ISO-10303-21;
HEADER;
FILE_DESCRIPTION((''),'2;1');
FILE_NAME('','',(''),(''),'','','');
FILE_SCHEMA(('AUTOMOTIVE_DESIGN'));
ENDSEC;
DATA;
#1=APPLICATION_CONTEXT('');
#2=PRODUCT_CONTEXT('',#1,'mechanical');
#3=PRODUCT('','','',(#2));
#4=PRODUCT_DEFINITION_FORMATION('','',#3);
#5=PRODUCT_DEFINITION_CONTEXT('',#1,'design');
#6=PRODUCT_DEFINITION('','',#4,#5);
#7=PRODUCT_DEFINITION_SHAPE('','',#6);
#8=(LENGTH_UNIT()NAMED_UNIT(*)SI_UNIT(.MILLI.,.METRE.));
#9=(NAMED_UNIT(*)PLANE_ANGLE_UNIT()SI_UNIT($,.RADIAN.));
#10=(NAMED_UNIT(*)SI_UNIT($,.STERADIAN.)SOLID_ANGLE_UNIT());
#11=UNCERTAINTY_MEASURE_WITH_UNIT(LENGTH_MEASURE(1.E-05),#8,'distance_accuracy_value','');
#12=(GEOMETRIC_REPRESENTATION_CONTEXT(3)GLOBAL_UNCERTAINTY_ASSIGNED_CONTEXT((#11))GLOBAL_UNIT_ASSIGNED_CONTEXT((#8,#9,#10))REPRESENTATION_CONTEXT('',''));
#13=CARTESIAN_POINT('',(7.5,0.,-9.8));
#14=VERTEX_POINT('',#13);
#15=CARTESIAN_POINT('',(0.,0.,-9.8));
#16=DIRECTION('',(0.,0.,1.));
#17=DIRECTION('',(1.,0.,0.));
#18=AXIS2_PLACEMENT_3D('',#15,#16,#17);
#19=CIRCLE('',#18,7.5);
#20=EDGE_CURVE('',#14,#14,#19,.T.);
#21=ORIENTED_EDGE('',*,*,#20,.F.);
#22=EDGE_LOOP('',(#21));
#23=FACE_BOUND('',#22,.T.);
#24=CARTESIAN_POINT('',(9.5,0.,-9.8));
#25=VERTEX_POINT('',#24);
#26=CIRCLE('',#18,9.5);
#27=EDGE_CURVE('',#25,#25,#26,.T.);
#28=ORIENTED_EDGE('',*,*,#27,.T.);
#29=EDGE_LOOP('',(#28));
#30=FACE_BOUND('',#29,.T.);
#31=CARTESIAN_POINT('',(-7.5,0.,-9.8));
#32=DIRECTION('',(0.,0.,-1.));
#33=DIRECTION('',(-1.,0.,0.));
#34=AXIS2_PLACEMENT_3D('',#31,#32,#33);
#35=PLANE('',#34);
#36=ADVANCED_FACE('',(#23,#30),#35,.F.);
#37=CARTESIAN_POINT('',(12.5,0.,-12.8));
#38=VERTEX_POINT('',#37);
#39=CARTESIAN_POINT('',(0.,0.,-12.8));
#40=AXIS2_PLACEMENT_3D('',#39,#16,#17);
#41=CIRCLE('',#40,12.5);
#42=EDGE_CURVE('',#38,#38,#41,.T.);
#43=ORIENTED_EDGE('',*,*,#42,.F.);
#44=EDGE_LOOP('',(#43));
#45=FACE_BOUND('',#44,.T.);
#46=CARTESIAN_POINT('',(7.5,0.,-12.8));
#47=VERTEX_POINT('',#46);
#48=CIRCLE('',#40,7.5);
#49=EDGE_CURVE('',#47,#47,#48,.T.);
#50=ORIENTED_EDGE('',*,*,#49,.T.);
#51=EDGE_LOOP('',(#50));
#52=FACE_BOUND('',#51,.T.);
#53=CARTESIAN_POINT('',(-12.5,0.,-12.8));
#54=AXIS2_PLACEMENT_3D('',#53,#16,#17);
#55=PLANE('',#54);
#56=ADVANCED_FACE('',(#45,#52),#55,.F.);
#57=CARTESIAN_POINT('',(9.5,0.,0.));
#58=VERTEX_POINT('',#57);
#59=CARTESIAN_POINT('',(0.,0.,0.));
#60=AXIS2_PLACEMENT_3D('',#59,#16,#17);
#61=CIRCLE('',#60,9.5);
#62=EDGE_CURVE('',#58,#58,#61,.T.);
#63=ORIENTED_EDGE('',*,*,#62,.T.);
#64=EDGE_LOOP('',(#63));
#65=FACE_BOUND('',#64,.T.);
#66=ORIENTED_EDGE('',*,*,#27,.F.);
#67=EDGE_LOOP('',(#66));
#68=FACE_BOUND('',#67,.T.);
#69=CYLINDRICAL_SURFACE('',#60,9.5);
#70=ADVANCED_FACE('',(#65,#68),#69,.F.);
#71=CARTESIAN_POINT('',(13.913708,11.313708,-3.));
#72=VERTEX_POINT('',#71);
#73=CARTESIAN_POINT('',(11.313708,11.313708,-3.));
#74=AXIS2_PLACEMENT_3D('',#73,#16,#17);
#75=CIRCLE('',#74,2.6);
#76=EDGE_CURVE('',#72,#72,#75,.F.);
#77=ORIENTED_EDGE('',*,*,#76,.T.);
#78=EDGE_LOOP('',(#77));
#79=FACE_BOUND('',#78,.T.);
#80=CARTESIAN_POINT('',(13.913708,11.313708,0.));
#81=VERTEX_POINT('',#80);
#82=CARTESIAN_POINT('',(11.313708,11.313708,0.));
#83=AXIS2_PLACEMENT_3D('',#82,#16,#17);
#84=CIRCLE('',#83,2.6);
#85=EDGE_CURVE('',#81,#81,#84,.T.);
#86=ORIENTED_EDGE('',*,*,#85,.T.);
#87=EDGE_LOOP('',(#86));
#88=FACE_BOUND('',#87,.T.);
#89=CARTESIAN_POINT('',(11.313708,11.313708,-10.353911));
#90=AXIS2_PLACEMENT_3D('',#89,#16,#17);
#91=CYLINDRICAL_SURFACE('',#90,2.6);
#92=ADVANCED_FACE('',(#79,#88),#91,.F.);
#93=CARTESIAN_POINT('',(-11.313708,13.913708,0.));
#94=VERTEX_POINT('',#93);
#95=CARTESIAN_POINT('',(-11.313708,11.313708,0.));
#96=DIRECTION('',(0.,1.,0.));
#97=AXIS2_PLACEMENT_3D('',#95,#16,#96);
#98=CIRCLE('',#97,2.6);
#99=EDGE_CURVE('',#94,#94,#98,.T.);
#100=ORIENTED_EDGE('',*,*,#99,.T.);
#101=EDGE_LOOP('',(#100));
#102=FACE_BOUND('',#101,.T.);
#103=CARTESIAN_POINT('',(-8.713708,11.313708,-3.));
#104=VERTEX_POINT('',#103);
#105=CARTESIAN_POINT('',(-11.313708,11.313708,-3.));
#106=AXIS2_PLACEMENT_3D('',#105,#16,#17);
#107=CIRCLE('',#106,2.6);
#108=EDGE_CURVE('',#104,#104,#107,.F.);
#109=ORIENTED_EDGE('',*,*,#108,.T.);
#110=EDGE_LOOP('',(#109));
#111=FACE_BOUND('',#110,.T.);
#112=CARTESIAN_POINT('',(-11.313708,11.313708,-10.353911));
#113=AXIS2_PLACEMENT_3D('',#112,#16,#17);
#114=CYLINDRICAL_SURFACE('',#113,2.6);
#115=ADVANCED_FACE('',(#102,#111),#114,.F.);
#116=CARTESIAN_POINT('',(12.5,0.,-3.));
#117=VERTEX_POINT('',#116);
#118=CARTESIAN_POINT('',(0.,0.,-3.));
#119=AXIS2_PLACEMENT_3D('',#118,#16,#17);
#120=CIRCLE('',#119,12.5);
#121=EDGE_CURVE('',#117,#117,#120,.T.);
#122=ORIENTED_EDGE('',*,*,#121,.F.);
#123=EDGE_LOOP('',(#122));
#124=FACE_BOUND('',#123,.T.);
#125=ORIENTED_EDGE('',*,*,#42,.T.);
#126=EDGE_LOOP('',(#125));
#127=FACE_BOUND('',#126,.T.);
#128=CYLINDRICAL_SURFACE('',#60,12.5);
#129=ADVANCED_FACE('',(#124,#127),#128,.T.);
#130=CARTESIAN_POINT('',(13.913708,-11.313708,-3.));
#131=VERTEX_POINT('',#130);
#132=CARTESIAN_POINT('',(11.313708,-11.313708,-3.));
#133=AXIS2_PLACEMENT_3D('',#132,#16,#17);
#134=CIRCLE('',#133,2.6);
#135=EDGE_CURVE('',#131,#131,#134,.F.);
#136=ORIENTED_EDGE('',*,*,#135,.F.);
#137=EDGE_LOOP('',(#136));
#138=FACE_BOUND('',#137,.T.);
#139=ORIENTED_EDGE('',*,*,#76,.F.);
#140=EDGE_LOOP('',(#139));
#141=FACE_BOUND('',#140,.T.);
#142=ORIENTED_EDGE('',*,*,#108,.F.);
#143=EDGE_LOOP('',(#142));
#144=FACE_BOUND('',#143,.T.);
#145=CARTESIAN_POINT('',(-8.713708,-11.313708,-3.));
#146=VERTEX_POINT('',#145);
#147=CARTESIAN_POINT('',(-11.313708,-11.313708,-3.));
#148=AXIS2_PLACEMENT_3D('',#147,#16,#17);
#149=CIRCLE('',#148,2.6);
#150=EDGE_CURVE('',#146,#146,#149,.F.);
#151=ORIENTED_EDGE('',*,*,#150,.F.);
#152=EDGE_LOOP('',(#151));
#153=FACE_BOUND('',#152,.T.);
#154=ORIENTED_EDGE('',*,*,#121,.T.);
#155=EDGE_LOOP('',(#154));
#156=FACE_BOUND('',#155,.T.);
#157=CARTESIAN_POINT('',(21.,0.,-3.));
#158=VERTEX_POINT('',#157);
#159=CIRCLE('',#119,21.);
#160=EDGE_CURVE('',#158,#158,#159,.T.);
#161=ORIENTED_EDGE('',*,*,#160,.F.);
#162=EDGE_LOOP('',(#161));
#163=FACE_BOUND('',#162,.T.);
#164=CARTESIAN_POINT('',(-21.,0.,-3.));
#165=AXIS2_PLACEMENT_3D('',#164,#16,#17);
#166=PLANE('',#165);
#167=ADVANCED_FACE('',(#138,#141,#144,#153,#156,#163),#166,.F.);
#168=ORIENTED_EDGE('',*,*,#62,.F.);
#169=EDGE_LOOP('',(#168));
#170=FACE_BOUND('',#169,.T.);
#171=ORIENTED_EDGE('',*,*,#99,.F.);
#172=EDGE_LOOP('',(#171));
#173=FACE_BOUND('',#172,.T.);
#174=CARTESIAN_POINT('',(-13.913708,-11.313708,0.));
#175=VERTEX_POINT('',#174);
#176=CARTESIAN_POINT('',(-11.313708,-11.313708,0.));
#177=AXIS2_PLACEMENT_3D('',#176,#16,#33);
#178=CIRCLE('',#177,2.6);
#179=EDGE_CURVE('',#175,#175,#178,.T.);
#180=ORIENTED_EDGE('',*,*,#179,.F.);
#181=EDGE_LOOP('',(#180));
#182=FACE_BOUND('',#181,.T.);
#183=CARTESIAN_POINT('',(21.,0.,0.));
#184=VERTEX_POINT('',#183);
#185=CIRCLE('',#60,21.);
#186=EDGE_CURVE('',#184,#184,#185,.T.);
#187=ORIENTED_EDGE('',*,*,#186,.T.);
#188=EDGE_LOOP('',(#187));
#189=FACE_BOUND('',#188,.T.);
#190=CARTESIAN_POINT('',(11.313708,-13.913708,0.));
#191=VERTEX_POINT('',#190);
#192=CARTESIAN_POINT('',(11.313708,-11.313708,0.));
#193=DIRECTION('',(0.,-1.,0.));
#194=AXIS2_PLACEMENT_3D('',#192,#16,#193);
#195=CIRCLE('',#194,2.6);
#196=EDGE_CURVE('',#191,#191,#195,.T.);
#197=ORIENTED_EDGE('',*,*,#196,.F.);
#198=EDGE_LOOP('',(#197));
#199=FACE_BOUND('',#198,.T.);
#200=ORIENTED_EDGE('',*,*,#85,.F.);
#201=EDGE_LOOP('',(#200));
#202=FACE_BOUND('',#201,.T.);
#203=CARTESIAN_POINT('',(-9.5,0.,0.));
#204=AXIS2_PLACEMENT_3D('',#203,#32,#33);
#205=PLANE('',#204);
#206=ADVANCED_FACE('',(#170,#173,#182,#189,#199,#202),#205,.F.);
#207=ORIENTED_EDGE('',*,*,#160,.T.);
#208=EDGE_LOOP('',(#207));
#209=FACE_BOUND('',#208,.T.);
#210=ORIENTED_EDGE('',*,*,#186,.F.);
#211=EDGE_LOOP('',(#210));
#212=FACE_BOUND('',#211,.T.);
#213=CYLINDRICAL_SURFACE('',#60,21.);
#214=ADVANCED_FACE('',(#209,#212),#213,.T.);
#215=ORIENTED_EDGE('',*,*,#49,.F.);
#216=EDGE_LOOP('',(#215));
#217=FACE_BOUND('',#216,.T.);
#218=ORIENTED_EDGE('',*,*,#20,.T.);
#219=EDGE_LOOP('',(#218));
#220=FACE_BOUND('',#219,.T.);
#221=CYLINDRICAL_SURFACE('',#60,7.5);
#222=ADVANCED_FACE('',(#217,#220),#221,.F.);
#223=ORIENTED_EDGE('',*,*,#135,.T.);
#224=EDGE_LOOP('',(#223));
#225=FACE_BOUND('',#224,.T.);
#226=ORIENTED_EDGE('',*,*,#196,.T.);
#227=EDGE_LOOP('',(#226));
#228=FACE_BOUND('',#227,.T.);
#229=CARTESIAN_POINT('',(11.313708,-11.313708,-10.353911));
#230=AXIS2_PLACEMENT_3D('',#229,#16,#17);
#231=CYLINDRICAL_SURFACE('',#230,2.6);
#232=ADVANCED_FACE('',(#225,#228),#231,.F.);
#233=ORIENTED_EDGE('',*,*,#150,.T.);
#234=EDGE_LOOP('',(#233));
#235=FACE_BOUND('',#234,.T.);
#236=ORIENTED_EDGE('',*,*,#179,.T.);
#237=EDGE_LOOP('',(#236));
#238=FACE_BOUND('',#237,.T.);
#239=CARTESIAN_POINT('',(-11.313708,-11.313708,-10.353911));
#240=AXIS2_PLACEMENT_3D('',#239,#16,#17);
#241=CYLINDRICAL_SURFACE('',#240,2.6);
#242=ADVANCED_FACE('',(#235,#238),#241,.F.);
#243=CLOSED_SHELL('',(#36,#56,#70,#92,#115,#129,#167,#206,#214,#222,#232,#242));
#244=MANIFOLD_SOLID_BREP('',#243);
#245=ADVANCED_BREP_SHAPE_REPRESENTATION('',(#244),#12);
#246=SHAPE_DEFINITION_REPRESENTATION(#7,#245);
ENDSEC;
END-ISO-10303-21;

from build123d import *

# Parameters (mm, degrees)
SKETCH_2_R               = 2.6
CUT_EXTRUDE_1_DEPTH      = 3
PATTERN_CIRCULAR_1_COUNT = 4


with BuildPart() as part:
    # Эскиз1 → Повернуть1 (revolve)
    with BuildSketch(Plane(origin=(0, 0, 0), x_dir=(1, 0, 0), z_dir=(0, 1, 0)), mode=Mode.PRIVATE) as revolve_1_sk:
        Polygon((-9.5, 0), (-21, 0), (-21, 3), (-12.5, 3), (-12.5, 12.8), (-7.5, 12.8), (-7.5, 9.8), (-9.5, 9.8), align=None)
    revolve(revolve_1_sk.sketch.rotate(Axis((0, 0, 0), (0, 0, -1)), 180), axis=Axis((0, 0, 0), (0, 0, -1)))

    # Эскиз2 → Вырез-Вытянуть1 (cut)
    with BuildSketch(Plane.XY):
        with Locations((11.313708499, 11.313708499)):
            Circle(SKETCH_2_R)
    cut_extrude_1 = extrude(amount=-CUT_EXTRUDE_1_DEPTH, mode=Mode.SUBTRACT)

    # Круговой массив1: Вырез-Вытянуть1 ×4 about axis
    pattern_circular_1_axis = Axis((0, 0, 0), (0, 0, 1))
    for i in range(1, PATTERN_CIRCULAR_1_COUNT):
        add(cut_extrude_1.rotate(pattern_circular_1_axis, i * 360 / PATTERN_CIRCULAR_1_COUNT), mode=Mode.SUBTRACT)


solid = part.part
